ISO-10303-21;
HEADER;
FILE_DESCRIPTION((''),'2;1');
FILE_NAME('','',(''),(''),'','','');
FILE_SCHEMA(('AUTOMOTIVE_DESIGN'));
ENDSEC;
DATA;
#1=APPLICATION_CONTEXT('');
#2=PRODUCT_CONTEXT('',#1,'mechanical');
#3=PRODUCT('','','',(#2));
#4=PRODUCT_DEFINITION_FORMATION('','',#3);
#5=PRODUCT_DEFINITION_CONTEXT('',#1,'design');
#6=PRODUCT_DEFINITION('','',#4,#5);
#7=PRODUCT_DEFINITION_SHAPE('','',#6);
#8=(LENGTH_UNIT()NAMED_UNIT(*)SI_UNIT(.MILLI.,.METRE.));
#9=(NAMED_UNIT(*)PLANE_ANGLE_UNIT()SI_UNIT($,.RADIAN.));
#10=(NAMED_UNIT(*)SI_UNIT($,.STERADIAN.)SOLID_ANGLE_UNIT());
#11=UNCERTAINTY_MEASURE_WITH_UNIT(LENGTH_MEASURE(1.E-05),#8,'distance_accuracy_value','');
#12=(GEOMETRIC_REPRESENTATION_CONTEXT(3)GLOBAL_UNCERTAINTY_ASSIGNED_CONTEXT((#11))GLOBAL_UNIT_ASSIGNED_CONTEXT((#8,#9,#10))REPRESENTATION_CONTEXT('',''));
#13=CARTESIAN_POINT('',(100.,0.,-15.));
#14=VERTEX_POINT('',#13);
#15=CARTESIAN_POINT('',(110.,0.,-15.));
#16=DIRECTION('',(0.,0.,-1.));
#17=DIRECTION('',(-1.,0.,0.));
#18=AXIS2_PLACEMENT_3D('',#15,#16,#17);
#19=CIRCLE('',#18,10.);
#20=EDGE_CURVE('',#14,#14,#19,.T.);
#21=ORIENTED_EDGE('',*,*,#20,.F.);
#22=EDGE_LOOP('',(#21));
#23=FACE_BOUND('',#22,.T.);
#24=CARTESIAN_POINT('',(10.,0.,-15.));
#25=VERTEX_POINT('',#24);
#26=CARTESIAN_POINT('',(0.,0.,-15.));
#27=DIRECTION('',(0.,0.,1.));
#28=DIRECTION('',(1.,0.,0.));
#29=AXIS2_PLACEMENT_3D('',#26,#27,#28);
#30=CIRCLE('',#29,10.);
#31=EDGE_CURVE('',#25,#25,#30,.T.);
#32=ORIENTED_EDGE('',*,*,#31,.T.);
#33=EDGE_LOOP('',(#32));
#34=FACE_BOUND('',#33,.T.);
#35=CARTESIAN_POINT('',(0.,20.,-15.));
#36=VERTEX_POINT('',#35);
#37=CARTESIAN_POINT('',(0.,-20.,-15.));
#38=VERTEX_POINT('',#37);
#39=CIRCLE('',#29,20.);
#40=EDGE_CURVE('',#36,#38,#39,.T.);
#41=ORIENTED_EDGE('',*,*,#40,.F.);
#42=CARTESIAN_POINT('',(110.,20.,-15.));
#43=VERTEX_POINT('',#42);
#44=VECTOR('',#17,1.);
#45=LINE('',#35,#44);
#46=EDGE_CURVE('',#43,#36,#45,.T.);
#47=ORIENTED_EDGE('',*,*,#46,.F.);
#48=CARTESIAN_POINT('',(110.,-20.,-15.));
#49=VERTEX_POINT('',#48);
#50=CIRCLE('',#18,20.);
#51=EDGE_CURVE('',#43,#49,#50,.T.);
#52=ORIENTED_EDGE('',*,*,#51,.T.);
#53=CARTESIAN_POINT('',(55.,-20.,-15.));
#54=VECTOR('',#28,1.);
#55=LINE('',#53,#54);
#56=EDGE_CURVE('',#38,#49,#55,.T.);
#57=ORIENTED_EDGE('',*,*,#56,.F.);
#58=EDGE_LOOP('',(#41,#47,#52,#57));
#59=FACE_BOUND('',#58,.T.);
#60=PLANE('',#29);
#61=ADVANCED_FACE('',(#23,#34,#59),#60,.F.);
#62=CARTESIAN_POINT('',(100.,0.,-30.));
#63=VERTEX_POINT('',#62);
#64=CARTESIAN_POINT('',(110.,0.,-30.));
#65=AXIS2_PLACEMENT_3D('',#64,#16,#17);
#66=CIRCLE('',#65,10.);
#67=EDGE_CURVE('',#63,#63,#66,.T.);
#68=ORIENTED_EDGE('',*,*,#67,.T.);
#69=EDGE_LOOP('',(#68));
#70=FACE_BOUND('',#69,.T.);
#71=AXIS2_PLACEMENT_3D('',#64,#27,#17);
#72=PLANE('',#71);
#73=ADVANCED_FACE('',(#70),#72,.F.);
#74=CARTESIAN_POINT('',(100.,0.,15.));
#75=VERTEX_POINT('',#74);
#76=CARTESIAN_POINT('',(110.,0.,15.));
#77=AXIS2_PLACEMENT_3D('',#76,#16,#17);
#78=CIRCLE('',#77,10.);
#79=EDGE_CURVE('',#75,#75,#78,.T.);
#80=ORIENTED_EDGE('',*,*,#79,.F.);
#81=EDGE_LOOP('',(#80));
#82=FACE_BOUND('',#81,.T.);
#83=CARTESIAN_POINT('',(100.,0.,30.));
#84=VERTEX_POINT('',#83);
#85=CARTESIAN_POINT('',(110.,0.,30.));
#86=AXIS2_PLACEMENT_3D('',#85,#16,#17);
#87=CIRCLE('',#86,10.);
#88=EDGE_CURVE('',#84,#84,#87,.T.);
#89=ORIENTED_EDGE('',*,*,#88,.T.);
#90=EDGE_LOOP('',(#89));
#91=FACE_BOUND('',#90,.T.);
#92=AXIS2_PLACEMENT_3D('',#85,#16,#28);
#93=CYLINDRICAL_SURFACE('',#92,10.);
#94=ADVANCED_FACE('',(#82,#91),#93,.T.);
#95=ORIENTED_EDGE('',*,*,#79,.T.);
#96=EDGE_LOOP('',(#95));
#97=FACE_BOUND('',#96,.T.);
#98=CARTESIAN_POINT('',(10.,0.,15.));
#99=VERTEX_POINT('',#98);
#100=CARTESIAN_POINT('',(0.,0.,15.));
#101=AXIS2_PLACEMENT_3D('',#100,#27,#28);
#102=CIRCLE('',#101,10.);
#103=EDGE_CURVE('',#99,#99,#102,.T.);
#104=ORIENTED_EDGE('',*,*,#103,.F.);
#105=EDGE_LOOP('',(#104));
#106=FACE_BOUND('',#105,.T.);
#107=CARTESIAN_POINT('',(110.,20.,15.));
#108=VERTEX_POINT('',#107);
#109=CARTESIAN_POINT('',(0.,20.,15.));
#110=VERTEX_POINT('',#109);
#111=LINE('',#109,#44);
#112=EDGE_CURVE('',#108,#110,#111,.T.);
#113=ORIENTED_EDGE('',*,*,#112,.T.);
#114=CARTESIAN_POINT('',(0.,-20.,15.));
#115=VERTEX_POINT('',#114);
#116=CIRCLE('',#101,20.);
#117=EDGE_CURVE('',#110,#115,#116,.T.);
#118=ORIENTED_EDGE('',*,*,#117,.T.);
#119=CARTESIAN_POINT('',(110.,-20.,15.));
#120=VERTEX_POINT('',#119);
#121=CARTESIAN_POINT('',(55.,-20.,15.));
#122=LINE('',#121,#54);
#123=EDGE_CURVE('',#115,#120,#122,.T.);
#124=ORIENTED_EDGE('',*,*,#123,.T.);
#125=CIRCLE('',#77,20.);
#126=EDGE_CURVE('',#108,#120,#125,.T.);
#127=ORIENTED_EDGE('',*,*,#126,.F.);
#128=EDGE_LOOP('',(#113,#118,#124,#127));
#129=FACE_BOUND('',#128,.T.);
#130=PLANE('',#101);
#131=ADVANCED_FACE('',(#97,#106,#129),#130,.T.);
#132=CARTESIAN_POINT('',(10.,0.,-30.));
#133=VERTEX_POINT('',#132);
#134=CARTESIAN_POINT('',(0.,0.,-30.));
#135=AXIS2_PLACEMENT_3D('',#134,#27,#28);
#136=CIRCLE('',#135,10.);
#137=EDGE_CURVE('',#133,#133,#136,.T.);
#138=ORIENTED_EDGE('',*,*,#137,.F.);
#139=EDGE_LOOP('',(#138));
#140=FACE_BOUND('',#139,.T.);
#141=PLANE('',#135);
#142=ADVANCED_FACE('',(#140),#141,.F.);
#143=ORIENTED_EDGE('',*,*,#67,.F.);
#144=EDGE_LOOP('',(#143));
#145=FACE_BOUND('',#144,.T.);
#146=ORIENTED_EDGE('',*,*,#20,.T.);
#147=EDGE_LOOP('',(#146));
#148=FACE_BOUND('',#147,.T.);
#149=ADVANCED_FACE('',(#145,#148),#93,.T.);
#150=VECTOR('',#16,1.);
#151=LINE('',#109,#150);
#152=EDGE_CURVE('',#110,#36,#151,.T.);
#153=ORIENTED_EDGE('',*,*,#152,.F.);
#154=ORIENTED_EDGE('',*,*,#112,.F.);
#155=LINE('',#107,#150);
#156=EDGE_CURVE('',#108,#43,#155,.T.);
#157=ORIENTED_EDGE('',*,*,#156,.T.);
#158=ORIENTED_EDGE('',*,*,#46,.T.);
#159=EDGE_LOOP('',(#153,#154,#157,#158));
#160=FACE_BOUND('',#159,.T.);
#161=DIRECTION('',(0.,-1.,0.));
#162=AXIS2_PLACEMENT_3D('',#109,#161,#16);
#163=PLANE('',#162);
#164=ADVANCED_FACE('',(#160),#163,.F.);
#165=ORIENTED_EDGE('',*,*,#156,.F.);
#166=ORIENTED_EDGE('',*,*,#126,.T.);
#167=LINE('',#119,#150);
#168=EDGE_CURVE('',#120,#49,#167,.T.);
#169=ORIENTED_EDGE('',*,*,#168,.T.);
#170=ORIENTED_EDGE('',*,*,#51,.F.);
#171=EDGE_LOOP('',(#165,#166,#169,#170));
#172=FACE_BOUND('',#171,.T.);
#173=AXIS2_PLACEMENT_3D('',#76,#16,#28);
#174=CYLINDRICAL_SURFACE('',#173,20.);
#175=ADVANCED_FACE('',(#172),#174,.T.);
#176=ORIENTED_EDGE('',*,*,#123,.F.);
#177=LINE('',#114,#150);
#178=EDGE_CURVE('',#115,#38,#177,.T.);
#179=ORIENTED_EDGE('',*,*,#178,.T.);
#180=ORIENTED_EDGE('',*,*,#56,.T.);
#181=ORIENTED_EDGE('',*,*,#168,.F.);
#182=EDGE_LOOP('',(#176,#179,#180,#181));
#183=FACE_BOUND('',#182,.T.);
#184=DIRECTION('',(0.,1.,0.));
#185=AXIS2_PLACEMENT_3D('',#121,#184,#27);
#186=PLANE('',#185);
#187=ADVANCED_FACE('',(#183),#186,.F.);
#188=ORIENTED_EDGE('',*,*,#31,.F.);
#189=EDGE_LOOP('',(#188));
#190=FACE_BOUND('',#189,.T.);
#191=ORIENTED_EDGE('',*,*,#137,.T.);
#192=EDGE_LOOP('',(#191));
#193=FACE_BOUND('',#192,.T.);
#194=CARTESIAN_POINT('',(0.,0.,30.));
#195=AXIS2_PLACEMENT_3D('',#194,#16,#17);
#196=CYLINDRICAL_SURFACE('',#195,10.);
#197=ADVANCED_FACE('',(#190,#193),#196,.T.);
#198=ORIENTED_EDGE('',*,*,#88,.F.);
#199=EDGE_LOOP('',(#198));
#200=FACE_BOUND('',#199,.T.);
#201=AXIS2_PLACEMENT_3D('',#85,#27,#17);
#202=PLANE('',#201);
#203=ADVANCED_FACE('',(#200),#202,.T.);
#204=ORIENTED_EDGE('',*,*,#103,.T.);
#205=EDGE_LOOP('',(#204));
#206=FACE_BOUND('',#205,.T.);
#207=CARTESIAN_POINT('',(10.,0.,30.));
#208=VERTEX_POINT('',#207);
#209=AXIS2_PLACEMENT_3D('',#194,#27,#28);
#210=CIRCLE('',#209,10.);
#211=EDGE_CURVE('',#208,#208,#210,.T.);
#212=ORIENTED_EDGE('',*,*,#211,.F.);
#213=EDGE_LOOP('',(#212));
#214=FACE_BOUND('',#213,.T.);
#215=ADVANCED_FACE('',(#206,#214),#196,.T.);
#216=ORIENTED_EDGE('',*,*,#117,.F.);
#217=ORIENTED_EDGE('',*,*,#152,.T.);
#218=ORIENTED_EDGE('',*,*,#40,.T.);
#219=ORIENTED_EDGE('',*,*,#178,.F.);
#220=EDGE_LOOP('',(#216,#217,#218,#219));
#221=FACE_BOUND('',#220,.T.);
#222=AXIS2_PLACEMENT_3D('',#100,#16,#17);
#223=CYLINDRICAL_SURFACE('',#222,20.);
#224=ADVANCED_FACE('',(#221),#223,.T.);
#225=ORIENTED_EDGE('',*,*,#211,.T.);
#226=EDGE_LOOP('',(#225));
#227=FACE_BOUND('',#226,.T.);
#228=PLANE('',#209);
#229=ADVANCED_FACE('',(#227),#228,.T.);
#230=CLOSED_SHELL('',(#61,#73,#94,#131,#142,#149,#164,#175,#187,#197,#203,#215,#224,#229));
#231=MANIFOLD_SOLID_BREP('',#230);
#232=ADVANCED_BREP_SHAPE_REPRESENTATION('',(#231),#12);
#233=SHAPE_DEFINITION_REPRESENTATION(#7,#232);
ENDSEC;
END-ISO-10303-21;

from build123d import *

# Parameters (mm, degrees)
SKETCH1_R           = 10
BOSS_EXTRUDE1_DEPTH = 30
BOSS_EXTRUDE2_DEPTH = 15


with BuildPart() as part:
    # Sketch1 → Boss-Extrude1 (new body, symmetric)
    with BuildSketch(Plane.XY):
        Circle(SKETCH1_R)
    boss_extrude1 = extrude(amount=BOSS_EXTRUDE1_DEPTH, both=True)

    # Sketch2 → Boss-Extrude2 (add, symmetric)
    with BuildSketch(Plane.XY):
        with BuildLine():
            Line((0, 20), (55, 20))
            Line((55, 20), (55, -20))
            Line((55, -20), (0, -20))
            ThreePointArc((0, -20), (-20, 0), (0, 20))
        make_face()
    boss_extrude2 = extrude(amount=BOSS_EXTRUDE2_DEPTH, both=True)

    # Mirror1: Boss-Extrude1, Boss-Extrude2 across plane
    add(boss_extrude1.mirror(Plane(origin=(55, 20, 15), x_dir=(0, 0, 1), z_dir=(-1, 0, 0))))
    add(boss_extrude2.mirror(Plane(origin=(55, 20, 15), x_dir=(0, 0, 1), z_dir=(-1, 0, 0))))


solid = part.part
